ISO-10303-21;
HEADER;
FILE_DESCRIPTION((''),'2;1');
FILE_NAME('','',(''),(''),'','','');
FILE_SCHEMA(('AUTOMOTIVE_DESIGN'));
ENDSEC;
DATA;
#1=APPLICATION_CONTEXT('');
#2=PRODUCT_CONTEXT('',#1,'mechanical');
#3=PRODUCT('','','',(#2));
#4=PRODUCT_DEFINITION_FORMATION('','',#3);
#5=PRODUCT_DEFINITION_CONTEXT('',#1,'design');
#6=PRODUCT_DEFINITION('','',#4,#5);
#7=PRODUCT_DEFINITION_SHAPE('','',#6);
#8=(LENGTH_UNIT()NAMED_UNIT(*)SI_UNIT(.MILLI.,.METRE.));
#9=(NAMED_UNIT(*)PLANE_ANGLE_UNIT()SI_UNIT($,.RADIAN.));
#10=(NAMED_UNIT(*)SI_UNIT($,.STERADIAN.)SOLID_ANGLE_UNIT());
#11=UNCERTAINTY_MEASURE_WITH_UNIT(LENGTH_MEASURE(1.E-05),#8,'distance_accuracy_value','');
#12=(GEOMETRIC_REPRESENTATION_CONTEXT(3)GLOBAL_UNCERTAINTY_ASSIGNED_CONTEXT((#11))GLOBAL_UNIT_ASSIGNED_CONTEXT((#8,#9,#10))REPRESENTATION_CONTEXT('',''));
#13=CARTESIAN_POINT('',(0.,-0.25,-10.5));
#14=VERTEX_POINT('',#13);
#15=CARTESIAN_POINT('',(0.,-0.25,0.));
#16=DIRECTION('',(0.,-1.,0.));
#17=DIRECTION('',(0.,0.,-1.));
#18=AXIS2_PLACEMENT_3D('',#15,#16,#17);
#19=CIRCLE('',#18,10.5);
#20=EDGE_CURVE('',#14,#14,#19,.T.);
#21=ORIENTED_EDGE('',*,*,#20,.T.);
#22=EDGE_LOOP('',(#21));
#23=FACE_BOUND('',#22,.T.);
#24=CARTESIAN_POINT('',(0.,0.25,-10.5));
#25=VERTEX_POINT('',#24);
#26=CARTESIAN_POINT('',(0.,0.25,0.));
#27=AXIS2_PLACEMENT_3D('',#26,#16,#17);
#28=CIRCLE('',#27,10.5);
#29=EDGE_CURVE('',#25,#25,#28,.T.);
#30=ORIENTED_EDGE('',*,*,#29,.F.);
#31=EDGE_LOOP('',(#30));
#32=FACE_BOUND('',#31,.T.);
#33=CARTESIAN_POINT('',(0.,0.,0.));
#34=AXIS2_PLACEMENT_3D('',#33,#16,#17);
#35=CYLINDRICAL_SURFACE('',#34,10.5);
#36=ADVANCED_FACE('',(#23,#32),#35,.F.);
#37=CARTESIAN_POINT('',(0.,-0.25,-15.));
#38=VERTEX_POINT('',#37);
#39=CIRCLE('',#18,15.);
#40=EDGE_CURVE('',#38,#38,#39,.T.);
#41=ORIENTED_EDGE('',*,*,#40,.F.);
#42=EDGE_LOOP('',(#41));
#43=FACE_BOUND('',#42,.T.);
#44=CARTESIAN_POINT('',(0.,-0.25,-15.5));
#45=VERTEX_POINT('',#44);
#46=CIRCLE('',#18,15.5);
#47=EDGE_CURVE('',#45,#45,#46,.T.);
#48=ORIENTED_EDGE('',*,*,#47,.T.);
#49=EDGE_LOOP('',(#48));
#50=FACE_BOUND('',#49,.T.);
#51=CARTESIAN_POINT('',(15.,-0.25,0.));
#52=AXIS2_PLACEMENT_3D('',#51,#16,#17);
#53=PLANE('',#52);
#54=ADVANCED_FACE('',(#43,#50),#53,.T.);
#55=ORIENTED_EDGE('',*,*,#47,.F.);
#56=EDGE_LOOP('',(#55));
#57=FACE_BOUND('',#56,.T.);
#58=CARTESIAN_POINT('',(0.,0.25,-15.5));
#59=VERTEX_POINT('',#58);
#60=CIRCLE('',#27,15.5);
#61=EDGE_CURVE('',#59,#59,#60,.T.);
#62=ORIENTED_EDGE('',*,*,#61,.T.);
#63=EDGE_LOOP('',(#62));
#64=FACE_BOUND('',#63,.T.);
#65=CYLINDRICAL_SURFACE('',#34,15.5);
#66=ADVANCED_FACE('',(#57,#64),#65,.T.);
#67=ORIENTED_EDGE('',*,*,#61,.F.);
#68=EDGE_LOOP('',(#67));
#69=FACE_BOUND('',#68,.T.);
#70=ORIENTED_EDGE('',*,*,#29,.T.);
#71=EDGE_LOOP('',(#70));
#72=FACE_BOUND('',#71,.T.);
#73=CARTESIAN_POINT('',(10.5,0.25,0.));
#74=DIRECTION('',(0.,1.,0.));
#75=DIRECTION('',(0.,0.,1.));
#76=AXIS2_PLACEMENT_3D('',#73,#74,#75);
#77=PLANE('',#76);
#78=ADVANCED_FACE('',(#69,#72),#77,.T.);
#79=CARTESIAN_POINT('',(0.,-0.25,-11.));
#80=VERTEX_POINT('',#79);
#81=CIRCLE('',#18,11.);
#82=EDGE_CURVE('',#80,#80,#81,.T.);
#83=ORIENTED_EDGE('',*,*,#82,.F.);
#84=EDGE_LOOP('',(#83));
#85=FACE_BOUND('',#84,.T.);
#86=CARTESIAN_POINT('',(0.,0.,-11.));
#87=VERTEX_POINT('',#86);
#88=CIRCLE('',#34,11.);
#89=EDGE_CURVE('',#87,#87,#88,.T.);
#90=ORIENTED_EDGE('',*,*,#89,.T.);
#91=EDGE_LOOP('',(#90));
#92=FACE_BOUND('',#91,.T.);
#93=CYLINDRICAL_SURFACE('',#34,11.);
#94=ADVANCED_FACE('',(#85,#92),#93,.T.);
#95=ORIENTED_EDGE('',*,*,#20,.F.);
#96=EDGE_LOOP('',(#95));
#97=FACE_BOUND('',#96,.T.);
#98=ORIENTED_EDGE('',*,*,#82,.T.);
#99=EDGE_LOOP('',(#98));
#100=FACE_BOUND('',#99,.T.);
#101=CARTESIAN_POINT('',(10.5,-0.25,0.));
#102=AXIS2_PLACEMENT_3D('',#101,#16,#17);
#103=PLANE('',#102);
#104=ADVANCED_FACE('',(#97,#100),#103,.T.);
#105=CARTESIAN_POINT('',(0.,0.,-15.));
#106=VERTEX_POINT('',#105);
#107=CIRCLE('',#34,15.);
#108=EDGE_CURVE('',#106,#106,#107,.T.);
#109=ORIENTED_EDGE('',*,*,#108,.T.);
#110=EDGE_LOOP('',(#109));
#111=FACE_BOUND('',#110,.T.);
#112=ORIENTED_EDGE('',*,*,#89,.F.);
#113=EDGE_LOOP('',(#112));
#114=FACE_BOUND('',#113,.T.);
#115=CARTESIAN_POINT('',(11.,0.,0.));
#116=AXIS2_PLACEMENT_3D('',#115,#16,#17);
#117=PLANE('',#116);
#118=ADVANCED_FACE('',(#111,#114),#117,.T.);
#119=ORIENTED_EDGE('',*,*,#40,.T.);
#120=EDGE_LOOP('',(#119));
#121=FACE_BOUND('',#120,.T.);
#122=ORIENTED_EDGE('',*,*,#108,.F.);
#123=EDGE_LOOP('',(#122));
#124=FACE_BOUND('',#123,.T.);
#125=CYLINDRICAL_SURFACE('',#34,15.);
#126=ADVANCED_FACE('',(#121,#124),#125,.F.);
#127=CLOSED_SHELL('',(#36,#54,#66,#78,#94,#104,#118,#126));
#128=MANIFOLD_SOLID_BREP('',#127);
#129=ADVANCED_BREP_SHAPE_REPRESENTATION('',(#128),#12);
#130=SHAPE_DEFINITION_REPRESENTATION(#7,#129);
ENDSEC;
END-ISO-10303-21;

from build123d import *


with BuildPart() as part:
    # Sketch3 → Revolve1 (revolve)
    with BuildSketch(Plane.XY, mode=Mode.PRIVATE) as revolve1_sk:
        Polygon((10.5, -0.25), (11, -0.25), (11, 0), (15, 0), (15, -0.25), (15.5, -0.25), (15.5, 0.25), (10.5, 0.25), align=None)
    revolve(revolve1_sk.sketch.rotate(Axis((0, 0, 0), (0, 1, 0)), 90), axis=Axis((0, 0, 0), (0, 1, 0)))


solid = part.part
